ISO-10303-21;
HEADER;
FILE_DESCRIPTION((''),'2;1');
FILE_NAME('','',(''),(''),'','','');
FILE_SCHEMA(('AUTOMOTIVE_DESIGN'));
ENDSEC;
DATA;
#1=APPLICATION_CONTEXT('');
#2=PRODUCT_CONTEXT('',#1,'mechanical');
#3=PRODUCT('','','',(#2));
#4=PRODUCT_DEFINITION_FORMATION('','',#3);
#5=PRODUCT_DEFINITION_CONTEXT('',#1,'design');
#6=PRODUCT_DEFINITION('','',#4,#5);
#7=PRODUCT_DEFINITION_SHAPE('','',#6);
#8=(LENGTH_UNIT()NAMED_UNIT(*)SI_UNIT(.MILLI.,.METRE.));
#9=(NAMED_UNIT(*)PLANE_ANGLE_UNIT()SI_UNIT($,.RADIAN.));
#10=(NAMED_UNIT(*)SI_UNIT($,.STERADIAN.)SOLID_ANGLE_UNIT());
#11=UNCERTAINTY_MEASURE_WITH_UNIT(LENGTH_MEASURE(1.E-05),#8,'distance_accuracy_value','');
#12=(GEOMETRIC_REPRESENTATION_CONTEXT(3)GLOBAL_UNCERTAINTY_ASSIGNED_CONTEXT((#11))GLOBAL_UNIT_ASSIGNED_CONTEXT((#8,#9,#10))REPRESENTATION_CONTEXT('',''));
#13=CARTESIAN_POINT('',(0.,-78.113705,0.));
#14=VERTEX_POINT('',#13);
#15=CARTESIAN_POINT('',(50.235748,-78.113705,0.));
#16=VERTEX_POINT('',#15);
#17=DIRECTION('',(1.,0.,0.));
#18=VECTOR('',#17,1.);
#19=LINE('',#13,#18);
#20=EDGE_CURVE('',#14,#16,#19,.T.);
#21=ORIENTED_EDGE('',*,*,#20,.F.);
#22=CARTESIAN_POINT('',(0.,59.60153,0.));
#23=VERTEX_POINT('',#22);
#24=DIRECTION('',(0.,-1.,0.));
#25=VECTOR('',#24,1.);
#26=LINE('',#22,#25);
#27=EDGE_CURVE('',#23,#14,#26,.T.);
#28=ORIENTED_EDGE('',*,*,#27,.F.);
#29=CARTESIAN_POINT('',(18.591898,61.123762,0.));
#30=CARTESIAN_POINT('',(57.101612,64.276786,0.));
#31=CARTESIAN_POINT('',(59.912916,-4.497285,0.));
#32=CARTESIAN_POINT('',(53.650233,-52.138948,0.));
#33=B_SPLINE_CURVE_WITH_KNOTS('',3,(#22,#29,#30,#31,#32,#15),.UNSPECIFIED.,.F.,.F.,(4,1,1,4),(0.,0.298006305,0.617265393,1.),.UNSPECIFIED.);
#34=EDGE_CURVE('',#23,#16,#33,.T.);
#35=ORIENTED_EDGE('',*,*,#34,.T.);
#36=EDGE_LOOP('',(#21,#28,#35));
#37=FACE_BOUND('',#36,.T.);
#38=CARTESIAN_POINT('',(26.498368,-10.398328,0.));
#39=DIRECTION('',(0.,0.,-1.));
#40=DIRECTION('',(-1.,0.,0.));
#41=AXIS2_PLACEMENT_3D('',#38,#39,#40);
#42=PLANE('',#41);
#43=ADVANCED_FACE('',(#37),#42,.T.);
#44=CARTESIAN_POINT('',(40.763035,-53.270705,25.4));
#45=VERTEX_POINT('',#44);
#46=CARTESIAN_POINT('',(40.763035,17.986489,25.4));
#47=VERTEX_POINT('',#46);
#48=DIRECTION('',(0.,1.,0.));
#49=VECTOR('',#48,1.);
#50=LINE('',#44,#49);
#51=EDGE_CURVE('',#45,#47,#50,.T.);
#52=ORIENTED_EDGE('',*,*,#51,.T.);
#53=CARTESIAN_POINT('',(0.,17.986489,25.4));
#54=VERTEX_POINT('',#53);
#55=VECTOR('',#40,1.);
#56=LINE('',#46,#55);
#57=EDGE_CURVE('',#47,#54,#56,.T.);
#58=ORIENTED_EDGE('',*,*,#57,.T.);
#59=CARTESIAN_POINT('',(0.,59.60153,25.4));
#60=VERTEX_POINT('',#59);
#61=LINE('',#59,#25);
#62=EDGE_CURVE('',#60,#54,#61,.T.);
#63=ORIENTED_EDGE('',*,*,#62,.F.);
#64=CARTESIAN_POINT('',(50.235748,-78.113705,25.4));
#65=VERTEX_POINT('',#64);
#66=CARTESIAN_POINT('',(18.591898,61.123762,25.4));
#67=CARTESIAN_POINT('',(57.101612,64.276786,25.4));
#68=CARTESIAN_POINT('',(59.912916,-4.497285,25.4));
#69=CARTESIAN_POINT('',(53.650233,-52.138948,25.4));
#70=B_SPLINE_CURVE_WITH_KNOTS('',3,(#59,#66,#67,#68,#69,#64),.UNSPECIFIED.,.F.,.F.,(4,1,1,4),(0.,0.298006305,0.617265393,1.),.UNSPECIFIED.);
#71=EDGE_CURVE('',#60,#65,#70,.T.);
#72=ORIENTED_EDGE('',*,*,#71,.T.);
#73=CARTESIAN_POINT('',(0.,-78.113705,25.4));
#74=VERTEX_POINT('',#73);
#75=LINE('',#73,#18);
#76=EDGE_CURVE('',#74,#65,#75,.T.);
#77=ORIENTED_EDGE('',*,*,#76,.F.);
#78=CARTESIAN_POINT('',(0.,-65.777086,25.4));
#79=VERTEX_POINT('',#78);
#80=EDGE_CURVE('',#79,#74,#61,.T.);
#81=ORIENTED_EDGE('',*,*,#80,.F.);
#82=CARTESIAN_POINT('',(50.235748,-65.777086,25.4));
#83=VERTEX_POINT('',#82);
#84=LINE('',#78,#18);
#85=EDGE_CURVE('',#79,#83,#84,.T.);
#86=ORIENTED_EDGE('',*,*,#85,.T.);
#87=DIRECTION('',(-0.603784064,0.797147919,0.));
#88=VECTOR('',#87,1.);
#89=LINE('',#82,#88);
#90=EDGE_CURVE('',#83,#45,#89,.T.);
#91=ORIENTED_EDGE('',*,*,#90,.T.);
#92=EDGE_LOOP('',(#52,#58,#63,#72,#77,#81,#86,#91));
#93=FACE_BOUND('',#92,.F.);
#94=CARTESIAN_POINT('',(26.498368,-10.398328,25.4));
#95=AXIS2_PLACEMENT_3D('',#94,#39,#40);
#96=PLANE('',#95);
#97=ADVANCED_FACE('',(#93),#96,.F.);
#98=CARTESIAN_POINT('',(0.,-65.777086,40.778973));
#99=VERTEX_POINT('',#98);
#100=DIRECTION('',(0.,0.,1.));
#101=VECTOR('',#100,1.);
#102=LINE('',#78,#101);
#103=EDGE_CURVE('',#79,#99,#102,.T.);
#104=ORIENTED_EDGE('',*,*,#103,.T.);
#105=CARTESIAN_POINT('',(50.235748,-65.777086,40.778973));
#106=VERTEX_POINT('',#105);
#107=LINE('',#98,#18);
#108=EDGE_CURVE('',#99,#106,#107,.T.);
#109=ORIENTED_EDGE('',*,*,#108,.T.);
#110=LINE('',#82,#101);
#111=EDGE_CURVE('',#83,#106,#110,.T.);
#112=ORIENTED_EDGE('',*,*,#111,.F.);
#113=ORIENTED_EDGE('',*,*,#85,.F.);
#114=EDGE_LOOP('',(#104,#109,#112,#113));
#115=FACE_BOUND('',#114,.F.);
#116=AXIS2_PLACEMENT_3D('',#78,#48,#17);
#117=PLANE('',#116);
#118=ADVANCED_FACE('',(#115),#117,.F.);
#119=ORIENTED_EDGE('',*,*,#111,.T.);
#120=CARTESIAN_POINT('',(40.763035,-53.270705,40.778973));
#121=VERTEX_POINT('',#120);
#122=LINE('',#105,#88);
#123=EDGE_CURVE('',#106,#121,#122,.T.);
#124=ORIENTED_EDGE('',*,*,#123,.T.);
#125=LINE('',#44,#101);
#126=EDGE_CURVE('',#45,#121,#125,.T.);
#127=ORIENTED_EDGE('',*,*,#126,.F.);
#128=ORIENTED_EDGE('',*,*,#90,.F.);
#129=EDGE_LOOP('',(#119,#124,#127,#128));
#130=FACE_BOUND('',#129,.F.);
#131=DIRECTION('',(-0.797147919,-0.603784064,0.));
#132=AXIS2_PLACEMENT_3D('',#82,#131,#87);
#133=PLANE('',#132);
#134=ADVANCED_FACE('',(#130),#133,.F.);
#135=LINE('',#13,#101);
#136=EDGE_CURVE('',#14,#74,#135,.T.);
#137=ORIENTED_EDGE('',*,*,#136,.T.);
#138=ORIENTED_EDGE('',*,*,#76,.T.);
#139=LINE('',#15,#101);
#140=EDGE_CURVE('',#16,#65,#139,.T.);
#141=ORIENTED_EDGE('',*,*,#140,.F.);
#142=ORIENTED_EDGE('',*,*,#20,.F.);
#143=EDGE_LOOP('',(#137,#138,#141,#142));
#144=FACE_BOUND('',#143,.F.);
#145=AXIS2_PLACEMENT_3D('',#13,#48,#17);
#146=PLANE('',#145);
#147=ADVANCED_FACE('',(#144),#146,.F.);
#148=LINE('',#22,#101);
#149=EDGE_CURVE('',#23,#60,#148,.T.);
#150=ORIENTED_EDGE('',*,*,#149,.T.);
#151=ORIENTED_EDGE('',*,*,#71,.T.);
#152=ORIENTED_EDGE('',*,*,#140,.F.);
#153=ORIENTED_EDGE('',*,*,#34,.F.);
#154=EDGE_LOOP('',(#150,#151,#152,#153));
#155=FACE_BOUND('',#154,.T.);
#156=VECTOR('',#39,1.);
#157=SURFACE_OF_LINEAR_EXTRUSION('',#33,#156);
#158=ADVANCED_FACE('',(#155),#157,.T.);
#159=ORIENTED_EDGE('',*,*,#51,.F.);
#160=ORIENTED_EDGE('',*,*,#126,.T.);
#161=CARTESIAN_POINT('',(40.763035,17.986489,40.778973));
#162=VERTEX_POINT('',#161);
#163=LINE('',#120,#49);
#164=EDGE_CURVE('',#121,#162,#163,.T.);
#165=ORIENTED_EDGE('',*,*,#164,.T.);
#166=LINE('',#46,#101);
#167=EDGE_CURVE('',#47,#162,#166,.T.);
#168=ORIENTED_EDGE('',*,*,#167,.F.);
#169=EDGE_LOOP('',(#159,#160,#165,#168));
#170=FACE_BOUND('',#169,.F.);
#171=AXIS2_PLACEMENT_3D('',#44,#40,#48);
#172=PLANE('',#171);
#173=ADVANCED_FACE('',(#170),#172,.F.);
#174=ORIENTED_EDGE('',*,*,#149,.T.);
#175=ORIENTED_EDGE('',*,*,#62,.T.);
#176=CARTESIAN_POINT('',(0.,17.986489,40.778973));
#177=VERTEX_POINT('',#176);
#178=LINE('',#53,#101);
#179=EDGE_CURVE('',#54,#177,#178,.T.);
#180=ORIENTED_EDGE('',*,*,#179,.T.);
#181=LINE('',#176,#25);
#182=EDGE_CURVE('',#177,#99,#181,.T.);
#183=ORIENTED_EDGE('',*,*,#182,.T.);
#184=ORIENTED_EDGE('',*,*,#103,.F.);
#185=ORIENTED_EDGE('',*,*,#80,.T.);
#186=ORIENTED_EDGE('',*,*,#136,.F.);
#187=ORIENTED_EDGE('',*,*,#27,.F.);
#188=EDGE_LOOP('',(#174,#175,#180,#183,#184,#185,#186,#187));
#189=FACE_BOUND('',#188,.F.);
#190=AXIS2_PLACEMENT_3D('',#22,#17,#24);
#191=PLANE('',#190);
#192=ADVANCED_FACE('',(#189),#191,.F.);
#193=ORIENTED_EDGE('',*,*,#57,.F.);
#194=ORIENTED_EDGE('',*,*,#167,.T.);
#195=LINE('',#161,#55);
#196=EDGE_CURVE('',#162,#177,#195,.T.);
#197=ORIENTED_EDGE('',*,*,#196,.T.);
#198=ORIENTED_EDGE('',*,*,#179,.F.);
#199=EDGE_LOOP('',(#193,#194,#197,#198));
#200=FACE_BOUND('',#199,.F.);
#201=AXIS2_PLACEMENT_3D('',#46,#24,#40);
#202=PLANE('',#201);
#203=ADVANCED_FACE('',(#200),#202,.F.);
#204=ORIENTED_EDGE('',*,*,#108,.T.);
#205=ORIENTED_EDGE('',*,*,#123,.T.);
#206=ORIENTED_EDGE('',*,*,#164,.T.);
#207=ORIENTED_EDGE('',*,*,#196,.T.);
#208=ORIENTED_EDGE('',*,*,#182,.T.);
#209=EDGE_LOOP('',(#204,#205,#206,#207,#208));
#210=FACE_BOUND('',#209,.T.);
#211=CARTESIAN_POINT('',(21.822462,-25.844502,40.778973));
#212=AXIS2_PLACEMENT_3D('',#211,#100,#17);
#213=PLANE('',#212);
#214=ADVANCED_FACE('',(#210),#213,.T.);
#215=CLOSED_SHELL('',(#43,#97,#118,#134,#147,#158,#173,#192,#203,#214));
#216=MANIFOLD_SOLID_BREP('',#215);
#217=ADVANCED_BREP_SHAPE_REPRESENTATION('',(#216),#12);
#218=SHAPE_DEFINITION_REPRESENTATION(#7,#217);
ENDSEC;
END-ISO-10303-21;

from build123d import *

# Parameters (mm, degrees)
F1_DEPTH = 25.4
F3_DEPTH = 15.3789725155


with BuildPart() as f1:
    # F0 (on Top) → F1 (new body)
    with BuildSketch(Plane.XY):
        with BuildLine():
            add(Edge.make_bspline(
                [(0, 59.6015304327), (18.5918983279, 61.1237618386), (57.1016118421, 64.2767857436), (59.9129164586, -4.4972847086), (53.6502329773, -52.138947783), (50.235748291, -78.1137049198)],
                knots=[0, 0, 0, 0, 0.2980063052, 0.6172653932, 1, 1, 1, 1], degree=3))
            Line((0, 59.6015304327), (0, -78.1137049198))
            Line((0, -78.1137049198), (50.235748291, -78.1137049198))
        make_face()
    extrude(amount=F1_DEPTH)

    # F2 (on face) → F3 (join)
    with BuildSketch(Plane.XY.offset(25.4)):
        Polygon((50.235748291, -65.7770857215), (40.7630354166, -53.2707050443), (40.7630354166, 17.9864894599), (0, 17.9864894599), (0, -65.7770857215), align=None)
    extrude(amount=F3_DEPTH)


solid = f1.part
